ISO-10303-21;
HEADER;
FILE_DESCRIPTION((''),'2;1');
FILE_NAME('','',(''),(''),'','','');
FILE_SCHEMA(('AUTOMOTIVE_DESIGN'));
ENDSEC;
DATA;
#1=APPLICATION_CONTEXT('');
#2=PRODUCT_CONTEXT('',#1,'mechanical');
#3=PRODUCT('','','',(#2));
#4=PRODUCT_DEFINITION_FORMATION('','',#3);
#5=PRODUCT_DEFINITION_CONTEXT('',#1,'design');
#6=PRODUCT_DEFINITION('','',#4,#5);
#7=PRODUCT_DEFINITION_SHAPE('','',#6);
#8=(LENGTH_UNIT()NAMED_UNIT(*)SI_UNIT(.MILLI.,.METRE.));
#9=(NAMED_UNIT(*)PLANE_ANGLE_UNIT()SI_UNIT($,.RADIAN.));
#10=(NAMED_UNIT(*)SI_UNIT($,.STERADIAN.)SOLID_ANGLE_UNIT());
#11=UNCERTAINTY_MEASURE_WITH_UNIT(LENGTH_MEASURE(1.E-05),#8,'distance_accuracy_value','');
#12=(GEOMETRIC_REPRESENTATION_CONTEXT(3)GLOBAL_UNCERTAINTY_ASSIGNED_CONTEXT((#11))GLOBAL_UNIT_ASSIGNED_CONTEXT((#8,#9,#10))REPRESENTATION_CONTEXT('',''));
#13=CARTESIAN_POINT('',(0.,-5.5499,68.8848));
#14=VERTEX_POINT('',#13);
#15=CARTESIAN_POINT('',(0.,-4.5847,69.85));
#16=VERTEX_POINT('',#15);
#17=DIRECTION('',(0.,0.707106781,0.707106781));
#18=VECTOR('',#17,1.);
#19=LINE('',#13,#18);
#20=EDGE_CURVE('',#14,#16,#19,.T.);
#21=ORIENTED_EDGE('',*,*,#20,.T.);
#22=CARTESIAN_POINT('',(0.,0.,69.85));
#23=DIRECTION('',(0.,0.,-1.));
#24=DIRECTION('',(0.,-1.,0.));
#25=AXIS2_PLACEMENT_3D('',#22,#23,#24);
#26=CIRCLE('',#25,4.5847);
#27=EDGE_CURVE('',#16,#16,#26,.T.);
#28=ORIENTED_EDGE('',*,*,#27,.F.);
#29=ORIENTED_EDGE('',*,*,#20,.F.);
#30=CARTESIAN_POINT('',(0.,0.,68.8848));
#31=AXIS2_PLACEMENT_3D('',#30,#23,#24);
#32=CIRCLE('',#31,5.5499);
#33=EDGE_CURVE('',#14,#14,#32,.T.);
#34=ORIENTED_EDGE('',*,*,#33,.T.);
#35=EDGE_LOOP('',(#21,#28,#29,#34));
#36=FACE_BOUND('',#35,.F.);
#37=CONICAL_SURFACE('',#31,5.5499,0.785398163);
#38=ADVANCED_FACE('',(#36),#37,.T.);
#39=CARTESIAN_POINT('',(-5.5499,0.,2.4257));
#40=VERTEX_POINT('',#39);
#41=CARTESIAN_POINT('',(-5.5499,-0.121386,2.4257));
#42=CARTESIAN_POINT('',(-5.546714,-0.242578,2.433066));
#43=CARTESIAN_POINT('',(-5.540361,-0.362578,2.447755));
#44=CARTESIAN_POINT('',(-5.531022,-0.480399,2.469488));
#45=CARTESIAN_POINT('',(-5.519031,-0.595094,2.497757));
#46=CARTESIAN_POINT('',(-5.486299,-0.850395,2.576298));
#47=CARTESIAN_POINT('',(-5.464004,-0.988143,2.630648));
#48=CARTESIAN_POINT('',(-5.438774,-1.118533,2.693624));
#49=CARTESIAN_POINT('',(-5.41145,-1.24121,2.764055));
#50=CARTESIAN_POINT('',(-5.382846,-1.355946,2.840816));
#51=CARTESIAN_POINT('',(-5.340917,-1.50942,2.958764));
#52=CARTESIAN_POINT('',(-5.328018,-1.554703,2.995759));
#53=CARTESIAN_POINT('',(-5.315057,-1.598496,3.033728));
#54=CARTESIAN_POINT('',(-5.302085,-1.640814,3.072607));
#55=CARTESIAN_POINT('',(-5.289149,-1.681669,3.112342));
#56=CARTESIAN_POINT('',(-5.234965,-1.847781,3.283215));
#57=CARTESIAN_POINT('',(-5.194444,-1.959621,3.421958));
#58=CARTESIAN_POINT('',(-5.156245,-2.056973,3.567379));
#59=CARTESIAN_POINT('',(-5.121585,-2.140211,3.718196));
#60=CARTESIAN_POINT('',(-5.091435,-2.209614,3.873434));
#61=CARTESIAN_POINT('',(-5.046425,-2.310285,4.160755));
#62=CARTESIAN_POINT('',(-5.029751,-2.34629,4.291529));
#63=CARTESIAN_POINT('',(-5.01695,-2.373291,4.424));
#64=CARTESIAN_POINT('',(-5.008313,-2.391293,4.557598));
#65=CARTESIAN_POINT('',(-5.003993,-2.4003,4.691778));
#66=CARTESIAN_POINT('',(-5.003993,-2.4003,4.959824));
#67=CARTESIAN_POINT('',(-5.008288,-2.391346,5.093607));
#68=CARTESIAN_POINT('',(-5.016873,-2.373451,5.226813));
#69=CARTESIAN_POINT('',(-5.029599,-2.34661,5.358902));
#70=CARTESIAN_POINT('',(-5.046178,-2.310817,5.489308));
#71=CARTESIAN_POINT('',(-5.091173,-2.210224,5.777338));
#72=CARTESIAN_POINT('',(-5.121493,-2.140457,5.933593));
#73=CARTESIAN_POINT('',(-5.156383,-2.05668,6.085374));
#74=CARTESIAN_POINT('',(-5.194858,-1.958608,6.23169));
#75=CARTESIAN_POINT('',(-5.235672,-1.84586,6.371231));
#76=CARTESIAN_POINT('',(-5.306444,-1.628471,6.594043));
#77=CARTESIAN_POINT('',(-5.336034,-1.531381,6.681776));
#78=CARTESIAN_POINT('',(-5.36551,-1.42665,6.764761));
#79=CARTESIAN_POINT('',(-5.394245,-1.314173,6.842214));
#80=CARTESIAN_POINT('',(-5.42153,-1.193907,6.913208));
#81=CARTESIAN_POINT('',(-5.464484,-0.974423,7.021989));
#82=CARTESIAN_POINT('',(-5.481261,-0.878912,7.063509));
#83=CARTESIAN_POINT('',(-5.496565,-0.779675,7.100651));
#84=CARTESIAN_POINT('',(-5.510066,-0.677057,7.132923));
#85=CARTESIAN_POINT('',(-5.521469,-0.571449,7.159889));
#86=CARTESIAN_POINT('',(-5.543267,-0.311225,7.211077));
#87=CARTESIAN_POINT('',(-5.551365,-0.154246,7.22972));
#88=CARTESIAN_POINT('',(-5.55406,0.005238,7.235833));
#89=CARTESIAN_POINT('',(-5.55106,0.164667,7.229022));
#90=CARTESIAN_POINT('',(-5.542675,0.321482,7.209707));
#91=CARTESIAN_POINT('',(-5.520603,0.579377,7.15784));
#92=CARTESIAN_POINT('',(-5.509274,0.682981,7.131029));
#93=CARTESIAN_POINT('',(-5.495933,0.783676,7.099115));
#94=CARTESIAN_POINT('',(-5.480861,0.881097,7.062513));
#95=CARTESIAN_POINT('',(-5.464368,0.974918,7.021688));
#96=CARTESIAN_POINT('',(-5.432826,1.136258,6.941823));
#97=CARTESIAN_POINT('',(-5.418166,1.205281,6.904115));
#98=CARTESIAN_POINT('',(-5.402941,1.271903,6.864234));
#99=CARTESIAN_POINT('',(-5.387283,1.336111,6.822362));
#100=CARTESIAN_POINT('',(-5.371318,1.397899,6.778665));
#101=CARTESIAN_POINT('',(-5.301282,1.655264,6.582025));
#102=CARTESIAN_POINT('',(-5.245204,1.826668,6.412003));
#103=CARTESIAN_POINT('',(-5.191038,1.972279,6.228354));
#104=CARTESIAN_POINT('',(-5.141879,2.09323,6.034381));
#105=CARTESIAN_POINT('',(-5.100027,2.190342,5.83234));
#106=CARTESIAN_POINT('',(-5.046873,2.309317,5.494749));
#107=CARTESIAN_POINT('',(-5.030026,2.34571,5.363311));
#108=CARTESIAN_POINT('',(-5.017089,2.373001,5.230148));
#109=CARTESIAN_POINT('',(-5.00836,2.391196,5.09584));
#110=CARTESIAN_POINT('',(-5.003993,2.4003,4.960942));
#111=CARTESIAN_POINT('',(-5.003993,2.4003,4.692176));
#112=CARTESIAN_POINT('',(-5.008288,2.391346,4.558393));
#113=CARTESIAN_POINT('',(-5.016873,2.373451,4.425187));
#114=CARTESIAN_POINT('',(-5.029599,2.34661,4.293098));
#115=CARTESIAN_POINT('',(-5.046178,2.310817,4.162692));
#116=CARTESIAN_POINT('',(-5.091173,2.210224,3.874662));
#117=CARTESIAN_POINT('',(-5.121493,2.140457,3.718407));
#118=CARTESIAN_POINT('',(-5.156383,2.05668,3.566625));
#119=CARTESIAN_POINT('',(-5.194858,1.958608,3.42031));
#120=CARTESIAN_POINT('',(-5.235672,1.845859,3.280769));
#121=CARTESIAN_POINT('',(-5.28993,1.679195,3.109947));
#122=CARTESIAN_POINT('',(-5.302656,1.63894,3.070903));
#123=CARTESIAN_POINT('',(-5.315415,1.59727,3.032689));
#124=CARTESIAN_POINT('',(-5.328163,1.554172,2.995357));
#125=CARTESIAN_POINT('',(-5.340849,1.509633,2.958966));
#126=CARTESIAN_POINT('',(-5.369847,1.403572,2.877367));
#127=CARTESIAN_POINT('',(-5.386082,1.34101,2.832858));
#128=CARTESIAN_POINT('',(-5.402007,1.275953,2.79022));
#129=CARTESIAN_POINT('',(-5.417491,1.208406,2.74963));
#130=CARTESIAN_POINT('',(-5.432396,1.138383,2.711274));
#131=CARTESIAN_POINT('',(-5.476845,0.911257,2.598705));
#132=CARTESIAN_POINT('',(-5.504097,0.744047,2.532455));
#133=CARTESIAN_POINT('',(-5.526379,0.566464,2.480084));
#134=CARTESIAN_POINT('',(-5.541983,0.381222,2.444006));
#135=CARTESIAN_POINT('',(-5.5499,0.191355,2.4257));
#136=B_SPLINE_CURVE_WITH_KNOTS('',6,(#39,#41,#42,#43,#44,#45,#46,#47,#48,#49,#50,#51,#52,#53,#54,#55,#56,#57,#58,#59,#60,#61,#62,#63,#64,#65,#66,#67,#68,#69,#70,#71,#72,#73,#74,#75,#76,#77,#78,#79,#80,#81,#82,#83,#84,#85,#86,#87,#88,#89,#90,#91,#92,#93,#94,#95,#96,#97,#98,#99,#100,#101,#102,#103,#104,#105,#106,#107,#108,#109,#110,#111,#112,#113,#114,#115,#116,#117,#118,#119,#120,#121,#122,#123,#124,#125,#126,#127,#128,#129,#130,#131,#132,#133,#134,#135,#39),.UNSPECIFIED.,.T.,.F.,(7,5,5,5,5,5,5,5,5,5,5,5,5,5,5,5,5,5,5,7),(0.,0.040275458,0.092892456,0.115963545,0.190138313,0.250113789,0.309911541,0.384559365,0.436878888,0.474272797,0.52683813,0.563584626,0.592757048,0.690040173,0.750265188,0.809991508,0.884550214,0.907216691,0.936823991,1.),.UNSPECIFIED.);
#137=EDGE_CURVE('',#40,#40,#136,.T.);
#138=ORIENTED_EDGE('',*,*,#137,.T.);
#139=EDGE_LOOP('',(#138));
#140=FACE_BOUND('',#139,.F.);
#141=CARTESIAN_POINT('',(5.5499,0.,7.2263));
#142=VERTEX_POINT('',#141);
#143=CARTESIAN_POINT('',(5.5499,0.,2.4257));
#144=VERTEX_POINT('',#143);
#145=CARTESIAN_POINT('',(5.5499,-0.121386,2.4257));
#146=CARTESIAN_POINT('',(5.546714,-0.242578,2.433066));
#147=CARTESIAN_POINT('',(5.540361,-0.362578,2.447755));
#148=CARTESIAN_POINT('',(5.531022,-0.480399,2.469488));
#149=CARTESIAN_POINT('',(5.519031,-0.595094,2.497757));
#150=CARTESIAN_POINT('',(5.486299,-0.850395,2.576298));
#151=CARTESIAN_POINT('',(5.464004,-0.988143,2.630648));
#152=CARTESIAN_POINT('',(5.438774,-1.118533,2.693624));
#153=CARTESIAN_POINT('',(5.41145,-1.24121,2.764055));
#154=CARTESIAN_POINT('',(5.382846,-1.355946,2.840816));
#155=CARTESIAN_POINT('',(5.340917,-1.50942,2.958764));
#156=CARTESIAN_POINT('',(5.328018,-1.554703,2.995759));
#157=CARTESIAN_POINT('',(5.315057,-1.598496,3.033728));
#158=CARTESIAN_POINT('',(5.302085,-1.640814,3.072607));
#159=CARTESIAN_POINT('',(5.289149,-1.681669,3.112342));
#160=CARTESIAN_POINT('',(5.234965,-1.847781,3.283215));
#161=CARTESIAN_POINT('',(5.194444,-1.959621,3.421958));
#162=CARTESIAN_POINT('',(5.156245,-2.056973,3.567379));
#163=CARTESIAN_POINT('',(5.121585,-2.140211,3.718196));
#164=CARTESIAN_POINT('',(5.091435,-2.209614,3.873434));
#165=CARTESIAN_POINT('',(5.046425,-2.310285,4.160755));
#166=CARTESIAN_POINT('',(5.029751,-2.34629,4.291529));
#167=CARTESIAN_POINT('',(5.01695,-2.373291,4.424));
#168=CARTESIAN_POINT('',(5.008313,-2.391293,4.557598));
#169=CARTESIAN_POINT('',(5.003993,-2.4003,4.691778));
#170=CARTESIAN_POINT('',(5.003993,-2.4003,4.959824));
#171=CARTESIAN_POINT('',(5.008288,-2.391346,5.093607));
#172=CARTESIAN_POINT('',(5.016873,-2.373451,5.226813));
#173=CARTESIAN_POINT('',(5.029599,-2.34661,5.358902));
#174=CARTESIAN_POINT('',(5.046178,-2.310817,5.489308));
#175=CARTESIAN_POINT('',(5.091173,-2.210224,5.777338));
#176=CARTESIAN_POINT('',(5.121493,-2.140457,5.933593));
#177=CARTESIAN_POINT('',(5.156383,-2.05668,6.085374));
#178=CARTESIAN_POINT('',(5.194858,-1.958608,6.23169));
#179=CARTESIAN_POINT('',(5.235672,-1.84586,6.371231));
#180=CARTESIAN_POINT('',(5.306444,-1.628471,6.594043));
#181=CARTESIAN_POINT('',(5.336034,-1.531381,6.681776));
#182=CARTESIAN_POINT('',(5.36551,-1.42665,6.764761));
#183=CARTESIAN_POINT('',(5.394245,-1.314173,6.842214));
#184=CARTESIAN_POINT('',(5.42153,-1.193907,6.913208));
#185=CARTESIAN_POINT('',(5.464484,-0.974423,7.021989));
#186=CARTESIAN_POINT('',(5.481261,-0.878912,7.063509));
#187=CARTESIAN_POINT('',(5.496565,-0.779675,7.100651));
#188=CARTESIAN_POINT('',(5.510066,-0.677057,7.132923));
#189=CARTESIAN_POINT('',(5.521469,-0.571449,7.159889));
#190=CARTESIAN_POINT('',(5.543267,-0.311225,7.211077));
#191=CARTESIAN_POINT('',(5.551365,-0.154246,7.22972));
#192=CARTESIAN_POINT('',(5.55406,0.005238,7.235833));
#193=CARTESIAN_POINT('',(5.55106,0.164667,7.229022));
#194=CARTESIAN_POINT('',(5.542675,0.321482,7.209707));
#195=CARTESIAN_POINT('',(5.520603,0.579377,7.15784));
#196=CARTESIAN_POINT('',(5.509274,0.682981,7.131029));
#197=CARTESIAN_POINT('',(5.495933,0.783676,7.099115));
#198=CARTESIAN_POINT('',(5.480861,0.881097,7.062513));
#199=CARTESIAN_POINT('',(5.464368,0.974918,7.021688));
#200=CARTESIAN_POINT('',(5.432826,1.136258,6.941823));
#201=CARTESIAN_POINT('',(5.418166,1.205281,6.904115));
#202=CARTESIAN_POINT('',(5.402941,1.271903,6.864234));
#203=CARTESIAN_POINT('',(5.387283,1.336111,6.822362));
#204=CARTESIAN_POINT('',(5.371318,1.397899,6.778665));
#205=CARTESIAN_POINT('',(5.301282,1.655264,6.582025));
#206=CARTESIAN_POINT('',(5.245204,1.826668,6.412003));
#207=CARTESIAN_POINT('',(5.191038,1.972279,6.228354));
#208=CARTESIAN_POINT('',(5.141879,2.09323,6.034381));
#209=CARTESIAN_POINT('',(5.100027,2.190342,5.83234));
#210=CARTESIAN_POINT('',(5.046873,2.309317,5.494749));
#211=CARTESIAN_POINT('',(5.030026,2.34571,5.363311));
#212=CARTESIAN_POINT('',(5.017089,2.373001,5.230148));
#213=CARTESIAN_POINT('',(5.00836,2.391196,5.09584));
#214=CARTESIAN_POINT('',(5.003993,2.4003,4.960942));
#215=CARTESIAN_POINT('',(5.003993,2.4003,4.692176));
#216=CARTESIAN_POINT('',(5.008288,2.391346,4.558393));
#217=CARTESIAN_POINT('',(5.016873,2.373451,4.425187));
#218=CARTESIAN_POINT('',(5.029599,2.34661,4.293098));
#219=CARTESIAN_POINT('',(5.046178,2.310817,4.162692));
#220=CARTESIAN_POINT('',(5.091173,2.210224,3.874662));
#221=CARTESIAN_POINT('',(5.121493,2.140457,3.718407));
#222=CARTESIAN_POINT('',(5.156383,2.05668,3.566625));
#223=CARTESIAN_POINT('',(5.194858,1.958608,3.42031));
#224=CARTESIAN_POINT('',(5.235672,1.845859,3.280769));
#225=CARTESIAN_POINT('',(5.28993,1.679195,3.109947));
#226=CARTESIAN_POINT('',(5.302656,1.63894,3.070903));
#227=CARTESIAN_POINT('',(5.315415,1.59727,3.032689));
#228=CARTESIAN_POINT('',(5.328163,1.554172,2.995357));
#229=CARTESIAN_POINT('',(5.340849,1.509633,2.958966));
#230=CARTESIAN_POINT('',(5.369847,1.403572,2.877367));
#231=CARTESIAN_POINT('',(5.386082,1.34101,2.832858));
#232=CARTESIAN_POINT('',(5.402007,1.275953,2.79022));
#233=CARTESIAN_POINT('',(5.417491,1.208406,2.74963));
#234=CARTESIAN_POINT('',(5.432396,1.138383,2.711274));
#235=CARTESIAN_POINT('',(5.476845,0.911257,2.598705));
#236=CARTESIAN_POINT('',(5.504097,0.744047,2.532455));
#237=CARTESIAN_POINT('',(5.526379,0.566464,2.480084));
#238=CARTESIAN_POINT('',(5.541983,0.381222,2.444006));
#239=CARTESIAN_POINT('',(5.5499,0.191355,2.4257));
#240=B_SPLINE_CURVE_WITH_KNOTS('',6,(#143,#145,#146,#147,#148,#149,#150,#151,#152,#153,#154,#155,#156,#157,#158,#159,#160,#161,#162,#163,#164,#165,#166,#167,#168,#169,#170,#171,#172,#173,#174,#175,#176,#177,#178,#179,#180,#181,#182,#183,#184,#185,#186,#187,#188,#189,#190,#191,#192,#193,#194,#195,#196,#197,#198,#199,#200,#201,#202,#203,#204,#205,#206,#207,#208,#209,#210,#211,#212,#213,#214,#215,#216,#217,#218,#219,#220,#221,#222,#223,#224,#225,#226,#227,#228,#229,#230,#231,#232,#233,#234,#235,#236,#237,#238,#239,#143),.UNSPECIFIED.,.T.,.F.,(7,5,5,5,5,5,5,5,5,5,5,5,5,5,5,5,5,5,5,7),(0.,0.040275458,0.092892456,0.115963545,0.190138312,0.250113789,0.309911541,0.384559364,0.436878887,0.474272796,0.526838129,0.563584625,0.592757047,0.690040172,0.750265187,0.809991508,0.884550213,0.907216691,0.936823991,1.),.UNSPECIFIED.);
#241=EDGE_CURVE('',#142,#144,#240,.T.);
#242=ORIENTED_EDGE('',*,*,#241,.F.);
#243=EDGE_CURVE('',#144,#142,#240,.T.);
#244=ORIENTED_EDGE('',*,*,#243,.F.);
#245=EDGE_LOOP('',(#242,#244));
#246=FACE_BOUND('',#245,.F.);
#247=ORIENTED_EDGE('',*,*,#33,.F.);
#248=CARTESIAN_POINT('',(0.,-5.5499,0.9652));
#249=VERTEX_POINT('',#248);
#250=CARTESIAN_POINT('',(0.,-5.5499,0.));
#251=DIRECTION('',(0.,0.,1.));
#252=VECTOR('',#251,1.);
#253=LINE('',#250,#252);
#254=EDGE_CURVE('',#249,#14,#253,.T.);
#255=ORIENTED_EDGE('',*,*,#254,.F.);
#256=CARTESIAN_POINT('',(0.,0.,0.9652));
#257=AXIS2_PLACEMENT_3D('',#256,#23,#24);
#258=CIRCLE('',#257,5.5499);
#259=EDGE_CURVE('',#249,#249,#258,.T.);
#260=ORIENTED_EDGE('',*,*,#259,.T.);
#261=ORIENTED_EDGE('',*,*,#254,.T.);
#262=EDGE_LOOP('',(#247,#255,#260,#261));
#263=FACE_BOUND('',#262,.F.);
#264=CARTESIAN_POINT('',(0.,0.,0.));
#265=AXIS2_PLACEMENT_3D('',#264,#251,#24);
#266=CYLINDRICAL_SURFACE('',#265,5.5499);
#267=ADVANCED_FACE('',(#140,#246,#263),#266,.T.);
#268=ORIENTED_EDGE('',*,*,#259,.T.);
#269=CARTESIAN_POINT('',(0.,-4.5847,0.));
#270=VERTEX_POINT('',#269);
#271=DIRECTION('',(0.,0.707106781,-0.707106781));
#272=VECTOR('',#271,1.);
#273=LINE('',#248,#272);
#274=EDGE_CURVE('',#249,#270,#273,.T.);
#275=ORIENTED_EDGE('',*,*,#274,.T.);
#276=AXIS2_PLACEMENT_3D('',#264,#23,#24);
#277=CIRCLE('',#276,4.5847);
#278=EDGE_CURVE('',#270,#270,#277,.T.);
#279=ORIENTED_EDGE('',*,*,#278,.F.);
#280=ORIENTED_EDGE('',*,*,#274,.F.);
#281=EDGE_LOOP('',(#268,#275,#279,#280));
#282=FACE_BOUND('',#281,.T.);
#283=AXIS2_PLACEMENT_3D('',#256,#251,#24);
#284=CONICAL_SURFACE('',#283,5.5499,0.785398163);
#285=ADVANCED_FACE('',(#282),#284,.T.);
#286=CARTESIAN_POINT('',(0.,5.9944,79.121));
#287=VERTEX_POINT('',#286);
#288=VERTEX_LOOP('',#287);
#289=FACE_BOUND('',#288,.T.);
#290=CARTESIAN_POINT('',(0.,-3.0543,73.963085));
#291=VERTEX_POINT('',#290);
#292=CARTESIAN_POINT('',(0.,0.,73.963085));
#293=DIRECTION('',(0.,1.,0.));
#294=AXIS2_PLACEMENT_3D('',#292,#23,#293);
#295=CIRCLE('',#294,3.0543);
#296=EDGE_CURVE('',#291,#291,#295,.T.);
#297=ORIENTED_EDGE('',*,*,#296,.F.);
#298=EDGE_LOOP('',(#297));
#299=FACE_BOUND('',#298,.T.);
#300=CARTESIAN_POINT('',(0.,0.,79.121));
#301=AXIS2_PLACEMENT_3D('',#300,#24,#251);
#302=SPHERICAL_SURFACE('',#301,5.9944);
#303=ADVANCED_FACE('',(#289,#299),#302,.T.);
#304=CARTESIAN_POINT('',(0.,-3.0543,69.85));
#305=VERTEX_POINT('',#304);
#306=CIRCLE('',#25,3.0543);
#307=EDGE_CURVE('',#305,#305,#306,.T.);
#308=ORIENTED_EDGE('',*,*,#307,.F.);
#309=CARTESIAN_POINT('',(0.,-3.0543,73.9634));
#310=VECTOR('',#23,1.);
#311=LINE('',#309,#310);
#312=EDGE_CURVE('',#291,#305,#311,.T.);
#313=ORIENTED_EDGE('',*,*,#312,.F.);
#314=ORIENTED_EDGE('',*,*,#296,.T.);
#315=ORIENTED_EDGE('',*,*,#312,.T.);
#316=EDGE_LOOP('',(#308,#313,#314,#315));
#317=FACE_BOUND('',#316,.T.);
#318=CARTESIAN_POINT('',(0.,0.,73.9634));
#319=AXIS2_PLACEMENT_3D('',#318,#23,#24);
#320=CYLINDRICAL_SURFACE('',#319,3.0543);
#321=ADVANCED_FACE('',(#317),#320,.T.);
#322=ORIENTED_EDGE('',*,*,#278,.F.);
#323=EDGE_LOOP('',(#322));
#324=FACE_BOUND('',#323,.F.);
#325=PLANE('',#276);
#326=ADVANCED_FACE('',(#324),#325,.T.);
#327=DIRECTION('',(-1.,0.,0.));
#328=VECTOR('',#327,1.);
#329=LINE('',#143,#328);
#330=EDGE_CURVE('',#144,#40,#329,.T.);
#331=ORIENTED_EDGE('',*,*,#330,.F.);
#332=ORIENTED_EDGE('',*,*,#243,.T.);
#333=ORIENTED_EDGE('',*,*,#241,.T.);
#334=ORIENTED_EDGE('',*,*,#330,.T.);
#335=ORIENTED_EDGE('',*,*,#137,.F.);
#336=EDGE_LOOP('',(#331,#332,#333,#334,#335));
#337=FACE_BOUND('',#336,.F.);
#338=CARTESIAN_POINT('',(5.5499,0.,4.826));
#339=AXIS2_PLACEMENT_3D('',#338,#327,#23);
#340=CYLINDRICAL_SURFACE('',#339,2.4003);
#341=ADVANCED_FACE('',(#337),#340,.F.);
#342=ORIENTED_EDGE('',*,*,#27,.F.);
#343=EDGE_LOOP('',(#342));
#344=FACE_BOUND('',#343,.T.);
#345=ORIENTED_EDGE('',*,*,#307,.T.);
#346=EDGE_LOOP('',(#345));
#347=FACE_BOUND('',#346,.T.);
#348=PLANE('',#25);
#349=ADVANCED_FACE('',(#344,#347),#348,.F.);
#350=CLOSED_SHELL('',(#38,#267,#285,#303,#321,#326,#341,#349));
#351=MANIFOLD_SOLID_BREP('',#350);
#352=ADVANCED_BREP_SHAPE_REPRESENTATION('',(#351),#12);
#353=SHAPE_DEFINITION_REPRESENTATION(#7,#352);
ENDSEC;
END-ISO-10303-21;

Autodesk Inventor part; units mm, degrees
ref_plane "XZ Plane" through (0, 0, 0) normal (0, 1, 0) x (-1, 0, 0)
ref_plane "XY Plane" through (0, 0, 0) normal (0, 0, 1) x (1, 0, 0)
sketch "Sketch1" plane through (0, 0, 0) normal (1, 0, 0) x (0, 1, 0)
  line L0 (-5.5499, 0) -> (-5.5499, 69.85)
  line L1 (0, 0) -> (-5.5499, 0)
  line L2 (-3.0543, 69.85) -> (-5.5499, 69.85)
  line L3 (0, 73.9634) -> (0, 0)
  line L4 (-3.0543, 73.9634) -> (-3.0543, 69.85)
  line L5 (-3.0543, 73.9634) -> (0, 73.9634)
  dimension "d1" = 73.9634
  dimension "d3" = 5.5499
  dimension "d4" = 69.85
  dimension "d6" = 4.1134
  dimension "d8" = 2.4956
revolve "Revolution1" add sketch "Sketch1" angle 360 about axis through (0, 0, 73.9634) along (0, 0, -1)
sketch "Sketch2" plane through (0, 0, 0) normal (1, 0, 0) x (0, 1, 0)
  line L0 (3.0543, 73.9634) -> (-3.0543, 73.9634) construction
  arc A0 (5.9944, 79.121) -> (-5.9944, 79.121) centre (0, 79.121) ccw
  line L1 (5.5499, 69.85) -> (-5.5499, 69.85) projected
  line L2 (5.9944, 79.121) -> (-5.9944, 79.121)
  point P0 (0, 0)
  point P1 (0, 73.9634)
  point P2 (0, 69.85)
  dimension "d12" = 11.9888
  dimension "d21" = 5.1576
  dimension "d22" = 9.271
  dimension "d23" = 6.1087
revolve "Revolution2" add sketch "Sketch2" angle 360 about axis through (0, 5.9944, 79.121) along (0, -1, 0)
chamfer "Chamfer1" distance 0.9652 angle 45 2 edges at (0, 5.5499, 69.85) (0, 5.5499, 0)
ref_plane "Work Plane1" through (5.5499, 0, 34.925) normal (1, 0, 0) x (0, 1, 0)
sketch "Sketch3" plane through (5.5499, 0, 34.925) normal (1, 0, 0) x (0, 1, 0)
  point P0 (0, -34.925)
  point P1 (0, -30.099)
  dimension "d30" = 4.826
hole "Hole1" at (5.5499, 0, 4.826) direction (-1, 0, 0) diameter 4.8006 end through all
properties part number "Ball_2"
